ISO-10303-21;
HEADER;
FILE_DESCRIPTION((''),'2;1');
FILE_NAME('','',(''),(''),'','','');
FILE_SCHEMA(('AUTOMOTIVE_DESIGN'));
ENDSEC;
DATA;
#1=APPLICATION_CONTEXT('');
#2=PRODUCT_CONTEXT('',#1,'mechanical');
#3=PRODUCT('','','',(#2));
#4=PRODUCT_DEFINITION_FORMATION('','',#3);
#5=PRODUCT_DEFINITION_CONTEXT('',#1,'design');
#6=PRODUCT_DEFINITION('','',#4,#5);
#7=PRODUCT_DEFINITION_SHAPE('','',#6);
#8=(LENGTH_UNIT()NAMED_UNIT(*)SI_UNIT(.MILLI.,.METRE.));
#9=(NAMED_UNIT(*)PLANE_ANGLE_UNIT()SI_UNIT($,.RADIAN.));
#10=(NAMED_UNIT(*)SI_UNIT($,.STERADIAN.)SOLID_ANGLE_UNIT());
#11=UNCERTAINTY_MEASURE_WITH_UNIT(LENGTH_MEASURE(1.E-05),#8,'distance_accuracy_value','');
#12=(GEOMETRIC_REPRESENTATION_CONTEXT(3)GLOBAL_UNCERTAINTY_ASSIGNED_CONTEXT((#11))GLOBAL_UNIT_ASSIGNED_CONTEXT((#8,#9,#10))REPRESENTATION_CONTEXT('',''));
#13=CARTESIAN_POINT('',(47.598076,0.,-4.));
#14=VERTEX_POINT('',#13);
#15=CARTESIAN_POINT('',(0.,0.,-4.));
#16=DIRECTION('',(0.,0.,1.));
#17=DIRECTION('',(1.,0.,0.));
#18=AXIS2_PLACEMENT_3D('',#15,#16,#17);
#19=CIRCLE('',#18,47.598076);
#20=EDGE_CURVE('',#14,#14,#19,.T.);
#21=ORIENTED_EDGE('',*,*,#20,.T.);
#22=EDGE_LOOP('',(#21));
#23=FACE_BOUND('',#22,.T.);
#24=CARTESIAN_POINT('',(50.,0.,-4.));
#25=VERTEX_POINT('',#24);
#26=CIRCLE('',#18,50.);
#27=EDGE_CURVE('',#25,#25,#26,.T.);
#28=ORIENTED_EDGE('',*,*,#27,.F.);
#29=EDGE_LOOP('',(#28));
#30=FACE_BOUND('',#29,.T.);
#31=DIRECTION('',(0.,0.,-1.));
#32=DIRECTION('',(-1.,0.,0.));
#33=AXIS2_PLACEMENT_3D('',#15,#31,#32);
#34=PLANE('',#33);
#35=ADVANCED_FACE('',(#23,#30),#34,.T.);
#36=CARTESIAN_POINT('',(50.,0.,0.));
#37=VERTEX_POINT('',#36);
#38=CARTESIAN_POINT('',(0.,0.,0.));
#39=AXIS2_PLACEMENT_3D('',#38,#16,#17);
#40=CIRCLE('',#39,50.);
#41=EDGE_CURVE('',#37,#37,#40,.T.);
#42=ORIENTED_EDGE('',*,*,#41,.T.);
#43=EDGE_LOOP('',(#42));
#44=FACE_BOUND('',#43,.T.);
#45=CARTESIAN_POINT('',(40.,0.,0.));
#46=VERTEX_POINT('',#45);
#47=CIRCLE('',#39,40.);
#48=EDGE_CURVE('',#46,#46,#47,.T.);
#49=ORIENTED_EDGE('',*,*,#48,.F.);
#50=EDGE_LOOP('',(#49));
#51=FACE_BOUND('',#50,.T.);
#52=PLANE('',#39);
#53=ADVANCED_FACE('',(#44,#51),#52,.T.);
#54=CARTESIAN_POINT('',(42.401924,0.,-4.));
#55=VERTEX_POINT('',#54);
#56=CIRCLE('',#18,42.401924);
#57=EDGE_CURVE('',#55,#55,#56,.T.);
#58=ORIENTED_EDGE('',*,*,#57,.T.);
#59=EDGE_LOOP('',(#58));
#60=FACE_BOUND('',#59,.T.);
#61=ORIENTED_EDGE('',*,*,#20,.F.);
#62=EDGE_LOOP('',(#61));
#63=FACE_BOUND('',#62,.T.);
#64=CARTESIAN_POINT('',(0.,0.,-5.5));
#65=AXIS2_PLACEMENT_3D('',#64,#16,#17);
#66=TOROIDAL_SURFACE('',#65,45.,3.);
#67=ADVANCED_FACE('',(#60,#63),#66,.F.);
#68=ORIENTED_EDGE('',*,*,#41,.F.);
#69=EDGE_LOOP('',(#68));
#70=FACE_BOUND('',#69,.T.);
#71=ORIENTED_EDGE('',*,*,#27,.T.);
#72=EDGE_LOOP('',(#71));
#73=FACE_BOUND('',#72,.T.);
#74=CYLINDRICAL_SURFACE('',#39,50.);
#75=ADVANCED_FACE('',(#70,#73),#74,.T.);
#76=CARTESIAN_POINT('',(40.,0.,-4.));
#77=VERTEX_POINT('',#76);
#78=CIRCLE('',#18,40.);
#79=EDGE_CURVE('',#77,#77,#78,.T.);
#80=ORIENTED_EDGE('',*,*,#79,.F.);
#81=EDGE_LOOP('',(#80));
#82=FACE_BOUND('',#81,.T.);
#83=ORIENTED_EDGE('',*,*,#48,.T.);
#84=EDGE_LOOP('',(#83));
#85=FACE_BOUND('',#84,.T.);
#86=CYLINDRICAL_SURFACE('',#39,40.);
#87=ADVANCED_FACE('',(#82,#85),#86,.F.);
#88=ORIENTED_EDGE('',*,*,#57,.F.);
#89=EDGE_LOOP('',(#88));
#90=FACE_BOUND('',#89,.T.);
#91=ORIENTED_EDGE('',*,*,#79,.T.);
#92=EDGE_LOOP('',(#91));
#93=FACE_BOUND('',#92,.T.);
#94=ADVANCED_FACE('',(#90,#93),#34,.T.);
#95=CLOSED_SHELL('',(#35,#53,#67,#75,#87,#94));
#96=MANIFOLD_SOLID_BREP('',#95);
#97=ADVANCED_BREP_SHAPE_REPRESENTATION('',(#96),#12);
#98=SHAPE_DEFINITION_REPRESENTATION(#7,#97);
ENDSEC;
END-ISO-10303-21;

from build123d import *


with BuildPart() as part:
    # Эскиз2 → Повернуть1 (revolve)
    with BuildSketch(Plane(origin=(0, 0, 0), x_dir=(1, 0, 0), z_dir=(0, 1, 0))):
        with BuildLine():
            Line((-50, 0), (-40, 0))
            Line((-40, 0), (-40, 4))
            Line((-40, 4), (-42.401923789, 4))
            ThreePointArc((-42.401923789, 4), (-45, 2.5), (-47.598076211, 4))
            Line((-47.598076211, 4), (-50, 4))
            Line((-50, 4), (-50, 0))
        make_face()
    revolve(axis=Axis((0, 0, 0), (0, 0, -1)))


solid = part.part
